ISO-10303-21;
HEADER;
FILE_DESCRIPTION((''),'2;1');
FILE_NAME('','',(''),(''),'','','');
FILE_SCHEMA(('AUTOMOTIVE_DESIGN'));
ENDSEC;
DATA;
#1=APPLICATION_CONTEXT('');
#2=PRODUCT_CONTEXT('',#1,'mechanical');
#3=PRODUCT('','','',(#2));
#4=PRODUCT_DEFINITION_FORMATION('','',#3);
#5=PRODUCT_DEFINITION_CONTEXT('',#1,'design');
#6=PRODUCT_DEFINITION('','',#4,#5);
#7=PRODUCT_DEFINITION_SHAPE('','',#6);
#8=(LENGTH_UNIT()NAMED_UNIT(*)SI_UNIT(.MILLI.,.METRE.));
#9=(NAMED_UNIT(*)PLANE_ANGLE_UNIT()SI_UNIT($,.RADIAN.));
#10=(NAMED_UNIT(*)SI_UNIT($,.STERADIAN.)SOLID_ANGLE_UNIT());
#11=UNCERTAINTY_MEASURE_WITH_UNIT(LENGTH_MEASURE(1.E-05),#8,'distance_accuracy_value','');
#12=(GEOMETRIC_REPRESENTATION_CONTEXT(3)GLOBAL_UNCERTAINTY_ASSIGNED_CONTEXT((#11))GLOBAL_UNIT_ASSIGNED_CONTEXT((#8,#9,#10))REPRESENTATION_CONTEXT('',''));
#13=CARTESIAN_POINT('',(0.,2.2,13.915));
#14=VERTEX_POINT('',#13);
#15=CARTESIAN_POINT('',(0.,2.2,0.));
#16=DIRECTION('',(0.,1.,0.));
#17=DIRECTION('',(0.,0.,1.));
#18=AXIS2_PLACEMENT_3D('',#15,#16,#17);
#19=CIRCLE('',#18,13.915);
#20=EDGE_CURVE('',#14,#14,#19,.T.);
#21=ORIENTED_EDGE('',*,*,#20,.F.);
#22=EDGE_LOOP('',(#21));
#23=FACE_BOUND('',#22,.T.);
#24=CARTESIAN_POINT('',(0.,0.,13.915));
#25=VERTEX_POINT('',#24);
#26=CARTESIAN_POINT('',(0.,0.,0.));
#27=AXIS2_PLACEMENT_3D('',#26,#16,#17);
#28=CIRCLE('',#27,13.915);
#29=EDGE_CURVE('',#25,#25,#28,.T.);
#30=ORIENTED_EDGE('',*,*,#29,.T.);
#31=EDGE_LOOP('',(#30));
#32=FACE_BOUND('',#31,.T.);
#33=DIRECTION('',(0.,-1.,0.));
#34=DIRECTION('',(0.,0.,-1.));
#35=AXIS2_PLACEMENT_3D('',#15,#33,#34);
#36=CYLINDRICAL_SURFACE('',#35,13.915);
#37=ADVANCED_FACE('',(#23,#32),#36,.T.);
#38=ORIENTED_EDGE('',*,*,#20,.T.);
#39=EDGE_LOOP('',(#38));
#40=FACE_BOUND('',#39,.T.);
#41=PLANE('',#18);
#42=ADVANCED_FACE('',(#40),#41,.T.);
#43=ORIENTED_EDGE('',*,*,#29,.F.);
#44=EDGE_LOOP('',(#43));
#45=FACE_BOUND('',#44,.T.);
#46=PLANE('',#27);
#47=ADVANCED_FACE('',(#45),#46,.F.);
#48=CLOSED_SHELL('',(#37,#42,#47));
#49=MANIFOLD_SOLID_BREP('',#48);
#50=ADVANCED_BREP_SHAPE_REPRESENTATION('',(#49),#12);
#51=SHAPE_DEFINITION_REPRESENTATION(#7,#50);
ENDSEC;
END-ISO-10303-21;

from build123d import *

# Parameters (mm, degrees)
SKETCH1_R           = 13.915
BOSS_EXTRUDE1_DEPTH = 2.2


with BuildPart() as part:
    # Sketch1 → Boss-Extrude1 (new body)
    with BuildSketch(Plane(origin=(0, 0, 0), x_dir=(1, 0, 0), z_dir=(0, 1, 0))):
        Circle(SKETCH1_R)
    extrude(amount=BOSS_EXTRUDE1_DEPTH)


solid = part.part
